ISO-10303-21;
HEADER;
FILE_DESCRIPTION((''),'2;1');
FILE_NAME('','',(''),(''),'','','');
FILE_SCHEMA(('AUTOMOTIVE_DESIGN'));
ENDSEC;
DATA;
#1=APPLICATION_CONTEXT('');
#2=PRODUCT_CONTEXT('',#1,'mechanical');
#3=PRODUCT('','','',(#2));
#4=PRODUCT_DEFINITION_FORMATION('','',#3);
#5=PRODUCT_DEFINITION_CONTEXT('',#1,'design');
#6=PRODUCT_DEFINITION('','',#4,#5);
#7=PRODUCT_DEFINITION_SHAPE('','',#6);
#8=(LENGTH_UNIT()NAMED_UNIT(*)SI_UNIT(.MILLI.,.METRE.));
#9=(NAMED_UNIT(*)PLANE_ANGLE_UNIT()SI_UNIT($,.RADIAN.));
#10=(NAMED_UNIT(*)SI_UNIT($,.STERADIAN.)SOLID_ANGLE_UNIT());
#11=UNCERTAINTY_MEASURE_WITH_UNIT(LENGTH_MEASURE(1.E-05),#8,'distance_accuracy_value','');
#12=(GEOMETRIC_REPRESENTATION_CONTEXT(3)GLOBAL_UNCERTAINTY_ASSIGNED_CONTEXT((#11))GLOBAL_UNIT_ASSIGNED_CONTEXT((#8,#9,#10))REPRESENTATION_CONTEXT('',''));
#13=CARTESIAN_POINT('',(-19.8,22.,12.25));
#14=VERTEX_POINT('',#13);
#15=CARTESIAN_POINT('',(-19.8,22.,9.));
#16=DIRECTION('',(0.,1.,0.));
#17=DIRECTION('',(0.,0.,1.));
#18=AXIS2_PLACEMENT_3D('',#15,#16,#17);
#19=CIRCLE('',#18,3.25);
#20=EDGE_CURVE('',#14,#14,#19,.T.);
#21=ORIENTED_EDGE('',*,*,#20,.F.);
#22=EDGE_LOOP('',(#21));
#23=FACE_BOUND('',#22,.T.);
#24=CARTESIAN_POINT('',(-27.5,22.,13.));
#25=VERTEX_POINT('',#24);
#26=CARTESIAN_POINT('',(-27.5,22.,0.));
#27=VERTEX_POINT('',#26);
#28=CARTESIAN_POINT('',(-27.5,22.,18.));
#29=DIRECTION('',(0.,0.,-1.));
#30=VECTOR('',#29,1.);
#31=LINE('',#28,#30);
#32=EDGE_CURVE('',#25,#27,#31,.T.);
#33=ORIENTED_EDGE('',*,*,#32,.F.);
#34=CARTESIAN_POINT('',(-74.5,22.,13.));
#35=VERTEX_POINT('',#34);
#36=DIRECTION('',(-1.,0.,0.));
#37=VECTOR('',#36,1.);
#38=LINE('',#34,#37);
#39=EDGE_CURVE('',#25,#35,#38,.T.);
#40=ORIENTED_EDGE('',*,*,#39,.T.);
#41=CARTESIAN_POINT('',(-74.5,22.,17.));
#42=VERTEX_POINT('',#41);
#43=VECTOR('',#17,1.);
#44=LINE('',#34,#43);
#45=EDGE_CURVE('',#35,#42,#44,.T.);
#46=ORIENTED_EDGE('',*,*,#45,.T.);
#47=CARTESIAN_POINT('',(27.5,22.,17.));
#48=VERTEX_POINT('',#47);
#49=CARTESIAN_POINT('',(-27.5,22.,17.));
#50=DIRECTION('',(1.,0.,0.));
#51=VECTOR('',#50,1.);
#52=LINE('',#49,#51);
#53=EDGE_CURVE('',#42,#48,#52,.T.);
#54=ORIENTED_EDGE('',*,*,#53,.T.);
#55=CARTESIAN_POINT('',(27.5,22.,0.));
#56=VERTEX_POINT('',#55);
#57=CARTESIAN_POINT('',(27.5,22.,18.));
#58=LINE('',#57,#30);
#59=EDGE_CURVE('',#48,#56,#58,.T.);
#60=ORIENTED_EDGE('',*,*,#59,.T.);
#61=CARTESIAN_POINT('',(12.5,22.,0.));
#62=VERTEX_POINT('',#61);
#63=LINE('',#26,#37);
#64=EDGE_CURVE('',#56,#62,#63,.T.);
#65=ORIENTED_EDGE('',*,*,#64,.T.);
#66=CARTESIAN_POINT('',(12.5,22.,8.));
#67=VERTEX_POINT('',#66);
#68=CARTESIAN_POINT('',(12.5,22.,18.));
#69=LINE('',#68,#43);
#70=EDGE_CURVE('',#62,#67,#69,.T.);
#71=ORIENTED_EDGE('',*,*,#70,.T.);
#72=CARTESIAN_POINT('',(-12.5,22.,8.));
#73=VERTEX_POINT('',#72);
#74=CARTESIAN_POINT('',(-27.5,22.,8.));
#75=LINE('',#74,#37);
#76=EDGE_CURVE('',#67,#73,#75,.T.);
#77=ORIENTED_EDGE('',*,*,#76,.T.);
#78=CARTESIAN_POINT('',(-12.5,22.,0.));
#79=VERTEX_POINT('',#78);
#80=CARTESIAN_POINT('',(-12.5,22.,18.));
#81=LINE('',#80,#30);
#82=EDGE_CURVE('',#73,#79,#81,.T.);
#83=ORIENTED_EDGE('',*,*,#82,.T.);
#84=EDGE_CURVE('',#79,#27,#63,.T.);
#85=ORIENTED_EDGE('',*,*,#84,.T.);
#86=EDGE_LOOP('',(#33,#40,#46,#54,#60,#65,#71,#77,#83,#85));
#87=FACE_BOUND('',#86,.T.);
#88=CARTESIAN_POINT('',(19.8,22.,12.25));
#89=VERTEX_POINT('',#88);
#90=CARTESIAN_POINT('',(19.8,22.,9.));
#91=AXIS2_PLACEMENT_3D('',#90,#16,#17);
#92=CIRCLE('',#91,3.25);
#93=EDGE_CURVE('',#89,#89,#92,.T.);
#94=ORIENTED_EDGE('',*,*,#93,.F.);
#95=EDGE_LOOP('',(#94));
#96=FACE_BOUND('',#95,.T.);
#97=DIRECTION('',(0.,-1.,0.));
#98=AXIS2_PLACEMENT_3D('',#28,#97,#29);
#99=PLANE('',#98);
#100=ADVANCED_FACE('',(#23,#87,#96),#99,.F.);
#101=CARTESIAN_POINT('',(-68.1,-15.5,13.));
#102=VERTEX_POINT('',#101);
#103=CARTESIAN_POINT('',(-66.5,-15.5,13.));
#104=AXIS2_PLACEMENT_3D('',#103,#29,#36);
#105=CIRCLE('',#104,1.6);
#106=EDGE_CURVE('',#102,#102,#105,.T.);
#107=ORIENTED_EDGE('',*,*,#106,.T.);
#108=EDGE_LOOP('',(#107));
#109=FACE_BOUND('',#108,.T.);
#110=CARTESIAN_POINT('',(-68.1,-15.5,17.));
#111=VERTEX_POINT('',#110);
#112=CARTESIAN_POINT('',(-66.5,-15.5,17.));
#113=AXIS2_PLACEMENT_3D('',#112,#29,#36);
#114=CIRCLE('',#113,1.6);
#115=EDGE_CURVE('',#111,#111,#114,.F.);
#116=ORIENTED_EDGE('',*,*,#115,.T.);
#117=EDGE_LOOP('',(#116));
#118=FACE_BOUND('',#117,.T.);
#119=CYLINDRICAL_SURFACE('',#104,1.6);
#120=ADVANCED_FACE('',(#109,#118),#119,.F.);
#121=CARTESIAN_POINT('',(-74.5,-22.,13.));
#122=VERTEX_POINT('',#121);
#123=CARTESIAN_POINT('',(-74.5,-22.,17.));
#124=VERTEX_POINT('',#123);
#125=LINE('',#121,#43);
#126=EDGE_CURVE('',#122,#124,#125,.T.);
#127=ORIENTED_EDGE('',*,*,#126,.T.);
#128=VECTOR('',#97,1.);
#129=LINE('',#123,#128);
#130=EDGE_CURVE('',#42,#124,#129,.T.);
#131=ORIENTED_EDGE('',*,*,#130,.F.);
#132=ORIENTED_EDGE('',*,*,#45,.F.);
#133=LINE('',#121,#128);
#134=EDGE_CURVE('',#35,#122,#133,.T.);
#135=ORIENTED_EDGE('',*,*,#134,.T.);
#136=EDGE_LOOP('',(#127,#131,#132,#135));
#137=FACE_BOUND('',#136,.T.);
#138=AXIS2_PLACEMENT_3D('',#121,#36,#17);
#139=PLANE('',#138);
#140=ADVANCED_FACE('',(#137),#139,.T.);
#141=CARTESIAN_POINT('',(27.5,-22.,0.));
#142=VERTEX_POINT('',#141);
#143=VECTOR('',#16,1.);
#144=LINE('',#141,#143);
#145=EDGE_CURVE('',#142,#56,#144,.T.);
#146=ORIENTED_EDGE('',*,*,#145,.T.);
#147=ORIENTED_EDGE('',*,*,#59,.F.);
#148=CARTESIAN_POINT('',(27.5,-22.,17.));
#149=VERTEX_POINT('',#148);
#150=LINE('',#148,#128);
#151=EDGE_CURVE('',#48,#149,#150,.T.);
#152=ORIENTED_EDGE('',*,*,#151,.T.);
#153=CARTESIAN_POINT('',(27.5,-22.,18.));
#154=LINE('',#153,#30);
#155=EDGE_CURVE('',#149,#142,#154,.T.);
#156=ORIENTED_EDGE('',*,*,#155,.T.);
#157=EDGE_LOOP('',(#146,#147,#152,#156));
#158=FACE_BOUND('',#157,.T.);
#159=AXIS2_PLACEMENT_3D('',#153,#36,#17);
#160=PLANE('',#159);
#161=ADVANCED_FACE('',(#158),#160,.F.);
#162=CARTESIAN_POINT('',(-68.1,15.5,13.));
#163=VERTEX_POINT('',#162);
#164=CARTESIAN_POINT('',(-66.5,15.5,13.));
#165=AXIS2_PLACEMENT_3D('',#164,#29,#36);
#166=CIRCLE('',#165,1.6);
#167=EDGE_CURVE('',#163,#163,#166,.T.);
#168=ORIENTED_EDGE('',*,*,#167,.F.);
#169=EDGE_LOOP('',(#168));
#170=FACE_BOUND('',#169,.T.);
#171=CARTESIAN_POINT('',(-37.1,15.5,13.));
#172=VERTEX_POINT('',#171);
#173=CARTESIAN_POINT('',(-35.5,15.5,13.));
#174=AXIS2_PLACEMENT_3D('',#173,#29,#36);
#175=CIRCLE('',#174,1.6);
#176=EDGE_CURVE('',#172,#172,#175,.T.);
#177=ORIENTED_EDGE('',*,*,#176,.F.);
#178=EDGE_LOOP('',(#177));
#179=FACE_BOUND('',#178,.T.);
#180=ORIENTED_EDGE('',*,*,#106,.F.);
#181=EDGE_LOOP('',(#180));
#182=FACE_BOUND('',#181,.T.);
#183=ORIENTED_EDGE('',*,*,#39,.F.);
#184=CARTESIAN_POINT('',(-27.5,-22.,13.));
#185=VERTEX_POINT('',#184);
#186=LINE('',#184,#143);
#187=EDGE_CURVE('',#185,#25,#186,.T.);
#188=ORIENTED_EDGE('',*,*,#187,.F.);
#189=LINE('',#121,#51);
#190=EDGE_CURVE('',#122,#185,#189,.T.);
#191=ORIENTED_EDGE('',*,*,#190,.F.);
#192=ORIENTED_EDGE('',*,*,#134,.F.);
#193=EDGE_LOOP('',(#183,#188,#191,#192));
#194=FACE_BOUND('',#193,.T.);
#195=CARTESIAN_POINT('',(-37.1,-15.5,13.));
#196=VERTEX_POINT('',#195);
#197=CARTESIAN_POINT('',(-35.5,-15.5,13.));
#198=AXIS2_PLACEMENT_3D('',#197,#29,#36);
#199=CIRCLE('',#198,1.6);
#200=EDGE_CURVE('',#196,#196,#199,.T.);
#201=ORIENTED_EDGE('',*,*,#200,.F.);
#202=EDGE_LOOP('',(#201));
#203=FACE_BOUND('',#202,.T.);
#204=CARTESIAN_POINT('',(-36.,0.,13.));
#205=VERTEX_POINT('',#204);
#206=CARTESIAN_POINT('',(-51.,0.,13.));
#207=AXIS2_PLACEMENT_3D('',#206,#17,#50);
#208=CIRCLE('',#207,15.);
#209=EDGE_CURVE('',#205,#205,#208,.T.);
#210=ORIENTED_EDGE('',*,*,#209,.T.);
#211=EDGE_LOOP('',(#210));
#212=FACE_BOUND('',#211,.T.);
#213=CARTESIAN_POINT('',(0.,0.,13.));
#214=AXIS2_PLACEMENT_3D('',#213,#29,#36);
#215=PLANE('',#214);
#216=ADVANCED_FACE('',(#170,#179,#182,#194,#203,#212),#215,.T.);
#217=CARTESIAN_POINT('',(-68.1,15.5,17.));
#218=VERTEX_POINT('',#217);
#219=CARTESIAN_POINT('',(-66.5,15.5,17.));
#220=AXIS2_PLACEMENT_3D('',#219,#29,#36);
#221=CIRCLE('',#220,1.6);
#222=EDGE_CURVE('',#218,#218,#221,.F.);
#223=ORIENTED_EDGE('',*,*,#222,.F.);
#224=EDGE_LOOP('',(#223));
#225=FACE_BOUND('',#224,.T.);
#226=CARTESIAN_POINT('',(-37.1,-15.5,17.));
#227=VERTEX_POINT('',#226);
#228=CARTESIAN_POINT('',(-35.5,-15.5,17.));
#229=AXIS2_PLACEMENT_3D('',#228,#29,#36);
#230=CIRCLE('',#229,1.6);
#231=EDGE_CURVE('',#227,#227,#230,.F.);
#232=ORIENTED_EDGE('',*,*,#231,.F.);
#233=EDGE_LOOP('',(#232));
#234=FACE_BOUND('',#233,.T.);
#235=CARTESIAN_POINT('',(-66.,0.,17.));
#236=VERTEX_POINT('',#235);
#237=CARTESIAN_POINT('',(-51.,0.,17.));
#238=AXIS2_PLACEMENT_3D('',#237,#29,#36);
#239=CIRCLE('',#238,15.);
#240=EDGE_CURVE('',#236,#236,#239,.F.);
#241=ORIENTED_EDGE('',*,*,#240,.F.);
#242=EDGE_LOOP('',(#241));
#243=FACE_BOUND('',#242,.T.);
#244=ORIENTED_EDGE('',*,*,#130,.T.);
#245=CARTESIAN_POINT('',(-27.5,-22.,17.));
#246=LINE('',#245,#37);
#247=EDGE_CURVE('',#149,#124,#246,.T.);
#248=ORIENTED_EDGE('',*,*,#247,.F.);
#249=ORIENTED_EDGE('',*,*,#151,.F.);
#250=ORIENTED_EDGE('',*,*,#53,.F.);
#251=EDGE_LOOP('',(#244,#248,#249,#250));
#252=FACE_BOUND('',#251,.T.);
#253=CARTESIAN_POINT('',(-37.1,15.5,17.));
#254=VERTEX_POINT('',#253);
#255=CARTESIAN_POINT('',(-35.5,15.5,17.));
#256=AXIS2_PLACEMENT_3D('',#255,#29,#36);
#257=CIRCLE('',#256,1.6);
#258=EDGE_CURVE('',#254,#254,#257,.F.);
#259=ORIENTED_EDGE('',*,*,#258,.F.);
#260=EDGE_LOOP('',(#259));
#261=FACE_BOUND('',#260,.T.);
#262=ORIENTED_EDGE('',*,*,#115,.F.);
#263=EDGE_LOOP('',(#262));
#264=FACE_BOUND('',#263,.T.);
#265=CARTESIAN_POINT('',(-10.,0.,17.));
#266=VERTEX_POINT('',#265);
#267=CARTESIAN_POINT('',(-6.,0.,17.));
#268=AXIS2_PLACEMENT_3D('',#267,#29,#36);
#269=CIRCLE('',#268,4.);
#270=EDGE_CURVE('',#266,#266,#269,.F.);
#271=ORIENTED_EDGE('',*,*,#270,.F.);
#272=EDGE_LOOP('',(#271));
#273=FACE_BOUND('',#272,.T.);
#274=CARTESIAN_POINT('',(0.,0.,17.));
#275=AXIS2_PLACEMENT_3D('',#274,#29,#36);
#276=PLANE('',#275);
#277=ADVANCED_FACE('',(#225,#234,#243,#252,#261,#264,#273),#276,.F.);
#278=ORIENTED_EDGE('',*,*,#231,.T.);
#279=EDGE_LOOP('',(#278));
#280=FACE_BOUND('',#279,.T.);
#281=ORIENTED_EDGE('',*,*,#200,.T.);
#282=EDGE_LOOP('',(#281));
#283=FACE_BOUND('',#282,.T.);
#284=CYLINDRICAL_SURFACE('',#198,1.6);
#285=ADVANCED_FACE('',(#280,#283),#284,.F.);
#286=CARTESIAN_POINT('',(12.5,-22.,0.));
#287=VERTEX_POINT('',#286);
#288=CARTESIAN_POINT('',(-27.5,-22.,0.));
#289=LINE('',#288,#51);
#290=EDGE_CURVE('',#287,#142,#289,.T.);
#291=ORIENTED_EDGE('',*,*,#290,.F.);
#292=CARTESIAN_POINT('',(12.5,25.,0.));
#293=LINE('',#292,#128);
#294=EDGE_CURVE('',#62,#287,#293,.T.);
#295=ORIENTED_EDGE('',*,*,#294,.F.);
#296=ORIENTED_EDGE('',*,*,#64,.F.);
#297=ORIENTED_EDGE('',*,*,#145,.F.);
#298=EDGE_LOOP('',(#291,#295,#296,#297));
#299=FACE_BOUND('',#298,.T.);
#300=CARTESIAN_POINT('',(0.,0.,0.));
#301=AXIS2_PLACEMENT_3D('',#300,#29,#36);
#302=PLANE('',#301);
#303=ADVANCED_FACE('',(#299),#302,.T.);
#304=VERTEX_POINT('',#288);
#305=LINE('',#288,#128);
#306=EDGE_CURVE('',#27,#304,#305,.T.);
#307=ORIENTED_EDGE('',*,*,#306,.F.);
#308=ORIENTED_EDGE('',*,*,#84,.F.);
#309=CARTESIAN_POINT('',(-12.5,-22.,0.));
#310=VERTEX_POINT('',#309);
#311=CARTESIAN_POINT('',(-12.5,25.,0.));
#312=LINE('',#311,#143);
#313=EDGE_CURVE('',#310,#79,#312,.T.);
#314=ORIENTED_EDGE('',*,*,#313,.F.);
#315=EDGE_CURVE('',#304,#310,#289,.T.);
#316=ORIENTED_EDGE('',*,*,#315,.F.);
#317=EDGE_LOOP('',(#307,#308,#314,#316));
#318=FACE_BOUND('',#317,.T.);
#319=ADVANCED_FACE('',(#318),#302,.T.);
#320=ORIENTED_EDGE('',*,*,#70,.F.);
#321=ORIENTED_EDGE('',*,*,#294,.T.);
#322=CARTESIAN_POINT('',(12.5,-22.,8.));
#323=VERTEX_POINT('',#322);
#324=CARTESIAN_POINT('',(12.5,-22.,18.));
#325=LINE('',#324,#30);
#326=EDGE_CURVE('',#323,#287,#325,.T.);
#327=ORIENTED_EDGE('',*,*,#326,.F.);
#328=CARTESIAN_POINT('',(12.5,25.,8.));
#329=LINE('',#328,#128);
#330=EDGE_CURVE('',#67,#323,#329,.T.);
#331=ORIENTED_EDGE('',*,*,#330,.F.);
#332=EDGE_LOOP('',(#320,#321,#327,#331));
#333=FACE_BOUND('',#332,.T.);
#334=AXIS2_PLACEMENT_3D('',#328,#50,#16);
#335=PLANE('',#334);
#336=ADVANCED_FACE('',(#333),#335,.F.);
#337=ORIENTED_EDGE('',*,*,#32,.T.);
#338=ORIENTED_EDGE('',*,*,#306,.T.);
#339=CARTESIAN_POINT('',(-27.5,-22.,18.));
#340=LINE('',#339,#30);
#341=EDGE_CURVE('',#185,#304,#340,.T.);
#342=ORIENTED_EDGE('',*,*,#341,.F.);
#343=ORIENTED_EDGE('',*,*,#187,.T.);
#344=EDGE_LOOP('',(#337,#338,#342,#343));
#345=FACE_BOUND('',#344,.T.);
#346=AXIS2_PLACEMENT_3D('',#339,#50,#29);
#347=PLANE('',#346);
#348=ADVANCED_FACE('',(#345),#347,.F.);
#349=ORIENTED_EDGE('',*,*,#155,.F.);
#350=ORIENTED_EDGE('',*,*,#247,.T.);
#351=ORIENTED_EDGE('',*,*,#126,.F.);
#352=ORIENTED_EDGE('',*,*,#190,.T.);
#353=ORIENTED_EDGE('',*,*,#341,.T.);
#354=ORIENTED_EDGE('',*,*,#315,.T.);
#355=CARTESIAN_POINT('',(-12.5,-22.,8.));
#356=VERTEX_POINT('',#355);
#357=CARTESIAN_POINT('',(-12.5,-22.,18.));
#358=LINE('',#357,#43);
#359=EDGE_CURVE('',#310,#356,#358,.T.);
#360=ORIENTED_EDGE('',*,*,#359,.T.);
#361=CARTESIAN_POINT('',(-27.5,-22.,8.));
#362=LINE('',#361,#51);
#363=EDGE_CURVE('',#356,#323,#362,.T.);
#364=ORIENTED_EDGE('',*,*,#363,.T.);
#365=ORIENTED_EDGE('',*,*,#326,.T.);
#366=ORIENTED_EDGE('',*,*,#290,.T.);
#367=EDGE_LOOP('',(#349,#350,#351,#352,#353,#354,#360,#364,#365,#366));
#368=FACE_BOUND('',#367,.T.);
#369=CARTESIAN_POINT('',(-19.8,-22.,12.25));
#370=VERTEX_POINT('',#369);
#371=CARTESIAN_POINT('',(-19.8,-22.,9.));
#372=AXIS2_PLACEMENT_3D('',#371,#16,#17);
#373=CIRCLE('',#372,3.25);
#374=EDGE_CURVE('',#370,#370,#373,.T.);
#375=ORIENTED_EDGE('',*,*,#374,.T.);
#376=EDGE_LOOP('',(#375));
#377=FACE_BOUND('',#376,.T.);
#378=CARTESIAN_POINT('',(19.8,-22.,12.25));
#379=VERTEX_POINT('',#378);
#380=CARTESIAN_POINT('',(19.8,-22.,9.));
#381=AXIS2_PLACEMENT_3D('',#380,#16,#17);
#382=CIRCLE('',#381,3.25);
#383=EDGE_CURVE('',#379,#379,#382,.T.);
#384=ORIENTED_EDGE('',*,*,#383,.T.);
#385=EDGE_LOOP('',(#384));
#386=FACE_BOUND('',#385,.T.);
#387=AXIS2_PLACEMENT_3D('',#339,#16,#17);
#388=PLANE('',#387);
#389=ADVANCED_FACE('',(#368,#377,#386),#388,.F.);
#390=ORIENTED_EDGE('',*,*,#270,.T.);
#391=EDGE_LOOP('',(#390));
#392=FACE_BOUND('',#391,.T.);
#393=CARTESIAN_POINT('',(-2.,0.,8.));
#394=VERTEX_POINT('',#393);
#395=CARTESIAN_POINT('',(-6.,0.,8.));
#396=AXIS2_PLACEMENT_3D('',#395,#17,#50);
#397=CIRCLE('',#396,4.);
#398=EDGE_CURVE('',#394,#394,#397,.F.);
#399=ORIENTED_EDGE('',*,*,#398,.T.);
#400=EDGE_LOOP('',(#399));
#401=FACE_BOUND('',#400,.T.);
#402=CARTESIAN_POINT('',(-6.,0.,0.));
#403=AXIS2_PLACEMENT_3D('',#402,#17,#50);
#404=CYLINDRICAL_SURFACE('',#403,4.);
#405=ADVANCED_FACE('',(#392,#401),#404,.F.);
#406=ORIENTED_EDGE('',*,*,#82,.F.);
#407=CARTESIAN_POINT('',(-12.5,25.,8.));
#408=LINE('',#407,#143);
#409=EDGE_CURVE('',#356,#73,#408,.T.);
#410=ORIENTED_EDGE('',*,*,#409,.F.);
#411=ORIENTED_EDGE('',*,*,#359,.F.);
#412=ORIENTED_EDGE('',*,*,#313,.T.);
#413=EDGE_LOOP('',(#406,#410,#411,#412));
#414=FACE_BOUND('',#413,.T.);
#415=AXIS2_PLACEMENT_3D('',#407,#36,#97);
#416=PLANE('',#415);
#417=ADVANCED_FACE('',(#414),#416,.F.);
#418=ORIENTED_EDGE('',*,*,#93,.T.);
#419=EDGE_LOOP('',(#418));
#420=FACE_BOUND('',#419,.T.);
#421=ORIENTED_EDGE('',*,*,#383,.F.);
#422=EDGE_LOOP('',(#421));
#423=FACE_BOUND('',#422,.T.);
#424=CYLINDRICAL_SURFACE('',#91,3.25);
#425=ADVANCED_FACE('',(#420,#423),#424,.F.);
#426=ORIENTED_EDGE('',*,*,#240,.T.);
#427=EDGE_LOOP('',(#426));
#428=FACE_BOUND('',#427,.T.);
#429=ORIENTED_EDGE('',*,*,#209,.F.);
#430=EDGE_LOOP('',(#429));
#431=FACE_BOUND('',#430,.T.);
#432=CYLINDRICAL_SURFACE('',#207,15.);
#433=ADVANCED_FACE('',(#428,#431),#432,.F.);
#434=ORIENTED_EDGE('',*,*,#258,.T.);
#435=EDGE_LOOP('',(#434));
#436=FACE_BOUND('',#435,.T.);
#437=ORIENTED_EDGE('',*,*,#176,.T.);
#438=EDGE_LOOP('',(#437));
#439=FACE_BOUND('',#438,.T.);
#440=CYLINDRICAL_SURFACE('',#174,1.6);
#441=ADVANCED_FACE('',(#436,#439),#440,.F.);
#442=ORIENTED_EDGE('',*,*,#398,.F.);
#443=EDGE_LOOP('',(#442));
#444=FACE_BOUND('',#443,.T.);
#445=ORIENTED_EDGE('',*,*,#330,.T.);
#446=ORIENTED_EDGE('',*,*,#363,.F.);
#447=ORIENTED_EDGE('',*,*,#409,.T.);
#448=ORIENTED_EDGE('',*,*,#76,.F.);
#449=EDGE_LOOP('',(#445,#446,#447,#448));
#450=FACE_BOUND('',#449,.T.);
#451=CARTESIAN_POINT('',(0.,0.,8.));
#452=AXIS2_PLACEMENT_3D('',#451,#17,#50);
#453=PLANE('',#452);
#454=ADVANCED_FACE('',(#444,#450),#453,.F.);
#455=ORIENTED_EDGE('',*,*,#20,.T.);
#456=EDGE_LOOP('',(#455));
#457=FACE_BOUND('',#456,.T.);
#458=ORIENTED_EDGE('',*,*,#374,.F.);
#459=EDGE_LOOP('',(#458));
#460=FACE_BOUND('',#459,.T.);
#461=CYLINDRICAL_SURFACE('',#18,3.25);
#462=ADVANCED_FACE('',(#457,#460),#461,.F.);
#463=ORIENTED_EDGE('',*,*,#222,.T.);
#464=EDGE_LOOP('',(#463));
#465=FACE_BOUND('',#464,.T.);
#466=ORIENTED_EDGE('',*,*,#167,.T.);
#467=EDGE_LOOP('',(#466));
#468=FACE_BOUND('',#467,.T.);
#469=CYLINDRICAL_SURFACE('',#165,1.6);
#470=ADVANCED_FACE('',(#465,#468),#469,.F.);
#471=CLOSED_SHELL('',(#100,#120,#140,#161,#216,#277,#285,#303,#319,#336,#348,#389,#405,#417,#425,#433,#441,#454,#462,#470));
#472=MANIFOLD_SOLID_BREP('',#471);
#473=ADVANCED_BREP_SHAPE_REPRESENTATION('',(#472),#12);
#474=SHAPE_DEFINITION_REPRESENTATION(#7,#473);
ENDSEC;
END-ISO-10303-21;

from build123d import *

# Parameters (mm, degrees)
SKETCH_1_W               = 55
SKETCH_1_H               = 44
EXTRUDE_1_DEPTH          = 18
SKETCH_2_R               = 4
CUT_EXTRUDE_1_DEPTH      = 18
HOLE_WIZARD_6_5_6_5_1_D  = 6.5
SKETCH_5_W               = 25
SKETCH_5_H               = 50
CUT_EXTRUDE_2_DEPTH      = 8
SKETCH_6_W               = 47
SKETCH_6_H               = 44
SKETCH_6_R               = 15
EXTRUDE_2_DEPTH          = 5
HOLE_WIZARD_3_2_3_2_1_D  = 3.2
PATTERN_CIRCULAR_1_COUNT = 4
SKETCH_9_W               = 200
SKETCH_9_H               = 100
CUT_EXTRUDE_3_DEPTH      = 1


with BuildPart() as part:
    # Эскиз1 → Бобышка-Вытянуть1 (new body)
    with BuildSketch(Plane.XY):
        Rectangle(SKETCH_1_W, SKETCH_1_H)
    extrude(amount=EXTRUDE_1_DEPTH)

    # Эскиз2 → Вырез-Вытянуть1 (cut)
    with BuildSketch(Plane.XY.offset(18)):
        with Locations((-6, 0)):
            Circle(SKETCH_2_R)
    extrude(amount=-CUT_EXTRUDE_1_DEPTH, mode=Mode.SUBTRACT)

    # Диаметр отверстия Ø6.5 (6.5)1 (through all)
    with Locations(Plane(origin=(0, 22, 0), x_dir=(1, 0, 0), z_dir=(0, 1, 0))):
        with Locations((19.8, -9), (-19.8, -9)):
            Hole(HOLE_WIZARD_6_5_6_5_1_D / 2)

    # Эскиз5 → Вырез-Вытянуть2 (cut)
    with BuildSketch(Plane(origin=(0, 0, 0), x_dir=(-1, 0, 0), z_dir=(0, 0, -1))):
        Rectangle(SKETCH_5_W, SKETCH_5_H)
    extrude(amount=-CUT_EXTRUDE_2_DEPTH, mode=Mode.SUBTRACT)

    # Эскиз6 → Бобышка-Вытянуть2 (add)
    with BuildSketch(Plane.XY.offset(18)):
        with Locations((-51, 0)):
            Rectangle(SKETCH_6_W, SKETCH_6_H)
        with Locations((-51, 0)):
            Circle(SKETCH_6_R, mode=Mode.SUBTRACT)
    extrude(amount=-EXTRUDE_2_DEPTH)

    # Диаметр отверстия Ø3.2 (3.2)1 (through all)
    with Locations(Plane(origin=(0, 0, 13), x_dir=(-1, 0, 0), z_dir=(0, 0, -1))):
        with Locations((35.5, -15.5)):
            hole_wizard_3_2_3_2_1 = Hole(HOLE_WIZARD_3_2_3_2_1_D / 2)

    # Круговой массив1: Диаметр отверстия Ø3.2 (3.2)1 ×4 about axis
    pattern_circular_1_axis = Axis((-51, 0, 0), (0, 0, 1))
    for i in range(1, PATTERN_CIRCULAR_1_COUNT):
        add(hole_wizard_3_2_3_2_1.rotate(pattern_circular_1_axis, i * 360 / PATTERN_CIRCULAR_1_COUNT), mode=Mode.SUBTRACT)

    # Эскиз9 → Вырез-Вытянуть3 (cut)
    with BuildSketch(Plane.XY.offset(18)):
        Rectangle(SKETCH_9_W, SKETCH_9_H)
    extrude(amount=-CUT_EXTRUDE_3_DEPTH, mode=Mode.SUBTRACT)


solid = part.part
